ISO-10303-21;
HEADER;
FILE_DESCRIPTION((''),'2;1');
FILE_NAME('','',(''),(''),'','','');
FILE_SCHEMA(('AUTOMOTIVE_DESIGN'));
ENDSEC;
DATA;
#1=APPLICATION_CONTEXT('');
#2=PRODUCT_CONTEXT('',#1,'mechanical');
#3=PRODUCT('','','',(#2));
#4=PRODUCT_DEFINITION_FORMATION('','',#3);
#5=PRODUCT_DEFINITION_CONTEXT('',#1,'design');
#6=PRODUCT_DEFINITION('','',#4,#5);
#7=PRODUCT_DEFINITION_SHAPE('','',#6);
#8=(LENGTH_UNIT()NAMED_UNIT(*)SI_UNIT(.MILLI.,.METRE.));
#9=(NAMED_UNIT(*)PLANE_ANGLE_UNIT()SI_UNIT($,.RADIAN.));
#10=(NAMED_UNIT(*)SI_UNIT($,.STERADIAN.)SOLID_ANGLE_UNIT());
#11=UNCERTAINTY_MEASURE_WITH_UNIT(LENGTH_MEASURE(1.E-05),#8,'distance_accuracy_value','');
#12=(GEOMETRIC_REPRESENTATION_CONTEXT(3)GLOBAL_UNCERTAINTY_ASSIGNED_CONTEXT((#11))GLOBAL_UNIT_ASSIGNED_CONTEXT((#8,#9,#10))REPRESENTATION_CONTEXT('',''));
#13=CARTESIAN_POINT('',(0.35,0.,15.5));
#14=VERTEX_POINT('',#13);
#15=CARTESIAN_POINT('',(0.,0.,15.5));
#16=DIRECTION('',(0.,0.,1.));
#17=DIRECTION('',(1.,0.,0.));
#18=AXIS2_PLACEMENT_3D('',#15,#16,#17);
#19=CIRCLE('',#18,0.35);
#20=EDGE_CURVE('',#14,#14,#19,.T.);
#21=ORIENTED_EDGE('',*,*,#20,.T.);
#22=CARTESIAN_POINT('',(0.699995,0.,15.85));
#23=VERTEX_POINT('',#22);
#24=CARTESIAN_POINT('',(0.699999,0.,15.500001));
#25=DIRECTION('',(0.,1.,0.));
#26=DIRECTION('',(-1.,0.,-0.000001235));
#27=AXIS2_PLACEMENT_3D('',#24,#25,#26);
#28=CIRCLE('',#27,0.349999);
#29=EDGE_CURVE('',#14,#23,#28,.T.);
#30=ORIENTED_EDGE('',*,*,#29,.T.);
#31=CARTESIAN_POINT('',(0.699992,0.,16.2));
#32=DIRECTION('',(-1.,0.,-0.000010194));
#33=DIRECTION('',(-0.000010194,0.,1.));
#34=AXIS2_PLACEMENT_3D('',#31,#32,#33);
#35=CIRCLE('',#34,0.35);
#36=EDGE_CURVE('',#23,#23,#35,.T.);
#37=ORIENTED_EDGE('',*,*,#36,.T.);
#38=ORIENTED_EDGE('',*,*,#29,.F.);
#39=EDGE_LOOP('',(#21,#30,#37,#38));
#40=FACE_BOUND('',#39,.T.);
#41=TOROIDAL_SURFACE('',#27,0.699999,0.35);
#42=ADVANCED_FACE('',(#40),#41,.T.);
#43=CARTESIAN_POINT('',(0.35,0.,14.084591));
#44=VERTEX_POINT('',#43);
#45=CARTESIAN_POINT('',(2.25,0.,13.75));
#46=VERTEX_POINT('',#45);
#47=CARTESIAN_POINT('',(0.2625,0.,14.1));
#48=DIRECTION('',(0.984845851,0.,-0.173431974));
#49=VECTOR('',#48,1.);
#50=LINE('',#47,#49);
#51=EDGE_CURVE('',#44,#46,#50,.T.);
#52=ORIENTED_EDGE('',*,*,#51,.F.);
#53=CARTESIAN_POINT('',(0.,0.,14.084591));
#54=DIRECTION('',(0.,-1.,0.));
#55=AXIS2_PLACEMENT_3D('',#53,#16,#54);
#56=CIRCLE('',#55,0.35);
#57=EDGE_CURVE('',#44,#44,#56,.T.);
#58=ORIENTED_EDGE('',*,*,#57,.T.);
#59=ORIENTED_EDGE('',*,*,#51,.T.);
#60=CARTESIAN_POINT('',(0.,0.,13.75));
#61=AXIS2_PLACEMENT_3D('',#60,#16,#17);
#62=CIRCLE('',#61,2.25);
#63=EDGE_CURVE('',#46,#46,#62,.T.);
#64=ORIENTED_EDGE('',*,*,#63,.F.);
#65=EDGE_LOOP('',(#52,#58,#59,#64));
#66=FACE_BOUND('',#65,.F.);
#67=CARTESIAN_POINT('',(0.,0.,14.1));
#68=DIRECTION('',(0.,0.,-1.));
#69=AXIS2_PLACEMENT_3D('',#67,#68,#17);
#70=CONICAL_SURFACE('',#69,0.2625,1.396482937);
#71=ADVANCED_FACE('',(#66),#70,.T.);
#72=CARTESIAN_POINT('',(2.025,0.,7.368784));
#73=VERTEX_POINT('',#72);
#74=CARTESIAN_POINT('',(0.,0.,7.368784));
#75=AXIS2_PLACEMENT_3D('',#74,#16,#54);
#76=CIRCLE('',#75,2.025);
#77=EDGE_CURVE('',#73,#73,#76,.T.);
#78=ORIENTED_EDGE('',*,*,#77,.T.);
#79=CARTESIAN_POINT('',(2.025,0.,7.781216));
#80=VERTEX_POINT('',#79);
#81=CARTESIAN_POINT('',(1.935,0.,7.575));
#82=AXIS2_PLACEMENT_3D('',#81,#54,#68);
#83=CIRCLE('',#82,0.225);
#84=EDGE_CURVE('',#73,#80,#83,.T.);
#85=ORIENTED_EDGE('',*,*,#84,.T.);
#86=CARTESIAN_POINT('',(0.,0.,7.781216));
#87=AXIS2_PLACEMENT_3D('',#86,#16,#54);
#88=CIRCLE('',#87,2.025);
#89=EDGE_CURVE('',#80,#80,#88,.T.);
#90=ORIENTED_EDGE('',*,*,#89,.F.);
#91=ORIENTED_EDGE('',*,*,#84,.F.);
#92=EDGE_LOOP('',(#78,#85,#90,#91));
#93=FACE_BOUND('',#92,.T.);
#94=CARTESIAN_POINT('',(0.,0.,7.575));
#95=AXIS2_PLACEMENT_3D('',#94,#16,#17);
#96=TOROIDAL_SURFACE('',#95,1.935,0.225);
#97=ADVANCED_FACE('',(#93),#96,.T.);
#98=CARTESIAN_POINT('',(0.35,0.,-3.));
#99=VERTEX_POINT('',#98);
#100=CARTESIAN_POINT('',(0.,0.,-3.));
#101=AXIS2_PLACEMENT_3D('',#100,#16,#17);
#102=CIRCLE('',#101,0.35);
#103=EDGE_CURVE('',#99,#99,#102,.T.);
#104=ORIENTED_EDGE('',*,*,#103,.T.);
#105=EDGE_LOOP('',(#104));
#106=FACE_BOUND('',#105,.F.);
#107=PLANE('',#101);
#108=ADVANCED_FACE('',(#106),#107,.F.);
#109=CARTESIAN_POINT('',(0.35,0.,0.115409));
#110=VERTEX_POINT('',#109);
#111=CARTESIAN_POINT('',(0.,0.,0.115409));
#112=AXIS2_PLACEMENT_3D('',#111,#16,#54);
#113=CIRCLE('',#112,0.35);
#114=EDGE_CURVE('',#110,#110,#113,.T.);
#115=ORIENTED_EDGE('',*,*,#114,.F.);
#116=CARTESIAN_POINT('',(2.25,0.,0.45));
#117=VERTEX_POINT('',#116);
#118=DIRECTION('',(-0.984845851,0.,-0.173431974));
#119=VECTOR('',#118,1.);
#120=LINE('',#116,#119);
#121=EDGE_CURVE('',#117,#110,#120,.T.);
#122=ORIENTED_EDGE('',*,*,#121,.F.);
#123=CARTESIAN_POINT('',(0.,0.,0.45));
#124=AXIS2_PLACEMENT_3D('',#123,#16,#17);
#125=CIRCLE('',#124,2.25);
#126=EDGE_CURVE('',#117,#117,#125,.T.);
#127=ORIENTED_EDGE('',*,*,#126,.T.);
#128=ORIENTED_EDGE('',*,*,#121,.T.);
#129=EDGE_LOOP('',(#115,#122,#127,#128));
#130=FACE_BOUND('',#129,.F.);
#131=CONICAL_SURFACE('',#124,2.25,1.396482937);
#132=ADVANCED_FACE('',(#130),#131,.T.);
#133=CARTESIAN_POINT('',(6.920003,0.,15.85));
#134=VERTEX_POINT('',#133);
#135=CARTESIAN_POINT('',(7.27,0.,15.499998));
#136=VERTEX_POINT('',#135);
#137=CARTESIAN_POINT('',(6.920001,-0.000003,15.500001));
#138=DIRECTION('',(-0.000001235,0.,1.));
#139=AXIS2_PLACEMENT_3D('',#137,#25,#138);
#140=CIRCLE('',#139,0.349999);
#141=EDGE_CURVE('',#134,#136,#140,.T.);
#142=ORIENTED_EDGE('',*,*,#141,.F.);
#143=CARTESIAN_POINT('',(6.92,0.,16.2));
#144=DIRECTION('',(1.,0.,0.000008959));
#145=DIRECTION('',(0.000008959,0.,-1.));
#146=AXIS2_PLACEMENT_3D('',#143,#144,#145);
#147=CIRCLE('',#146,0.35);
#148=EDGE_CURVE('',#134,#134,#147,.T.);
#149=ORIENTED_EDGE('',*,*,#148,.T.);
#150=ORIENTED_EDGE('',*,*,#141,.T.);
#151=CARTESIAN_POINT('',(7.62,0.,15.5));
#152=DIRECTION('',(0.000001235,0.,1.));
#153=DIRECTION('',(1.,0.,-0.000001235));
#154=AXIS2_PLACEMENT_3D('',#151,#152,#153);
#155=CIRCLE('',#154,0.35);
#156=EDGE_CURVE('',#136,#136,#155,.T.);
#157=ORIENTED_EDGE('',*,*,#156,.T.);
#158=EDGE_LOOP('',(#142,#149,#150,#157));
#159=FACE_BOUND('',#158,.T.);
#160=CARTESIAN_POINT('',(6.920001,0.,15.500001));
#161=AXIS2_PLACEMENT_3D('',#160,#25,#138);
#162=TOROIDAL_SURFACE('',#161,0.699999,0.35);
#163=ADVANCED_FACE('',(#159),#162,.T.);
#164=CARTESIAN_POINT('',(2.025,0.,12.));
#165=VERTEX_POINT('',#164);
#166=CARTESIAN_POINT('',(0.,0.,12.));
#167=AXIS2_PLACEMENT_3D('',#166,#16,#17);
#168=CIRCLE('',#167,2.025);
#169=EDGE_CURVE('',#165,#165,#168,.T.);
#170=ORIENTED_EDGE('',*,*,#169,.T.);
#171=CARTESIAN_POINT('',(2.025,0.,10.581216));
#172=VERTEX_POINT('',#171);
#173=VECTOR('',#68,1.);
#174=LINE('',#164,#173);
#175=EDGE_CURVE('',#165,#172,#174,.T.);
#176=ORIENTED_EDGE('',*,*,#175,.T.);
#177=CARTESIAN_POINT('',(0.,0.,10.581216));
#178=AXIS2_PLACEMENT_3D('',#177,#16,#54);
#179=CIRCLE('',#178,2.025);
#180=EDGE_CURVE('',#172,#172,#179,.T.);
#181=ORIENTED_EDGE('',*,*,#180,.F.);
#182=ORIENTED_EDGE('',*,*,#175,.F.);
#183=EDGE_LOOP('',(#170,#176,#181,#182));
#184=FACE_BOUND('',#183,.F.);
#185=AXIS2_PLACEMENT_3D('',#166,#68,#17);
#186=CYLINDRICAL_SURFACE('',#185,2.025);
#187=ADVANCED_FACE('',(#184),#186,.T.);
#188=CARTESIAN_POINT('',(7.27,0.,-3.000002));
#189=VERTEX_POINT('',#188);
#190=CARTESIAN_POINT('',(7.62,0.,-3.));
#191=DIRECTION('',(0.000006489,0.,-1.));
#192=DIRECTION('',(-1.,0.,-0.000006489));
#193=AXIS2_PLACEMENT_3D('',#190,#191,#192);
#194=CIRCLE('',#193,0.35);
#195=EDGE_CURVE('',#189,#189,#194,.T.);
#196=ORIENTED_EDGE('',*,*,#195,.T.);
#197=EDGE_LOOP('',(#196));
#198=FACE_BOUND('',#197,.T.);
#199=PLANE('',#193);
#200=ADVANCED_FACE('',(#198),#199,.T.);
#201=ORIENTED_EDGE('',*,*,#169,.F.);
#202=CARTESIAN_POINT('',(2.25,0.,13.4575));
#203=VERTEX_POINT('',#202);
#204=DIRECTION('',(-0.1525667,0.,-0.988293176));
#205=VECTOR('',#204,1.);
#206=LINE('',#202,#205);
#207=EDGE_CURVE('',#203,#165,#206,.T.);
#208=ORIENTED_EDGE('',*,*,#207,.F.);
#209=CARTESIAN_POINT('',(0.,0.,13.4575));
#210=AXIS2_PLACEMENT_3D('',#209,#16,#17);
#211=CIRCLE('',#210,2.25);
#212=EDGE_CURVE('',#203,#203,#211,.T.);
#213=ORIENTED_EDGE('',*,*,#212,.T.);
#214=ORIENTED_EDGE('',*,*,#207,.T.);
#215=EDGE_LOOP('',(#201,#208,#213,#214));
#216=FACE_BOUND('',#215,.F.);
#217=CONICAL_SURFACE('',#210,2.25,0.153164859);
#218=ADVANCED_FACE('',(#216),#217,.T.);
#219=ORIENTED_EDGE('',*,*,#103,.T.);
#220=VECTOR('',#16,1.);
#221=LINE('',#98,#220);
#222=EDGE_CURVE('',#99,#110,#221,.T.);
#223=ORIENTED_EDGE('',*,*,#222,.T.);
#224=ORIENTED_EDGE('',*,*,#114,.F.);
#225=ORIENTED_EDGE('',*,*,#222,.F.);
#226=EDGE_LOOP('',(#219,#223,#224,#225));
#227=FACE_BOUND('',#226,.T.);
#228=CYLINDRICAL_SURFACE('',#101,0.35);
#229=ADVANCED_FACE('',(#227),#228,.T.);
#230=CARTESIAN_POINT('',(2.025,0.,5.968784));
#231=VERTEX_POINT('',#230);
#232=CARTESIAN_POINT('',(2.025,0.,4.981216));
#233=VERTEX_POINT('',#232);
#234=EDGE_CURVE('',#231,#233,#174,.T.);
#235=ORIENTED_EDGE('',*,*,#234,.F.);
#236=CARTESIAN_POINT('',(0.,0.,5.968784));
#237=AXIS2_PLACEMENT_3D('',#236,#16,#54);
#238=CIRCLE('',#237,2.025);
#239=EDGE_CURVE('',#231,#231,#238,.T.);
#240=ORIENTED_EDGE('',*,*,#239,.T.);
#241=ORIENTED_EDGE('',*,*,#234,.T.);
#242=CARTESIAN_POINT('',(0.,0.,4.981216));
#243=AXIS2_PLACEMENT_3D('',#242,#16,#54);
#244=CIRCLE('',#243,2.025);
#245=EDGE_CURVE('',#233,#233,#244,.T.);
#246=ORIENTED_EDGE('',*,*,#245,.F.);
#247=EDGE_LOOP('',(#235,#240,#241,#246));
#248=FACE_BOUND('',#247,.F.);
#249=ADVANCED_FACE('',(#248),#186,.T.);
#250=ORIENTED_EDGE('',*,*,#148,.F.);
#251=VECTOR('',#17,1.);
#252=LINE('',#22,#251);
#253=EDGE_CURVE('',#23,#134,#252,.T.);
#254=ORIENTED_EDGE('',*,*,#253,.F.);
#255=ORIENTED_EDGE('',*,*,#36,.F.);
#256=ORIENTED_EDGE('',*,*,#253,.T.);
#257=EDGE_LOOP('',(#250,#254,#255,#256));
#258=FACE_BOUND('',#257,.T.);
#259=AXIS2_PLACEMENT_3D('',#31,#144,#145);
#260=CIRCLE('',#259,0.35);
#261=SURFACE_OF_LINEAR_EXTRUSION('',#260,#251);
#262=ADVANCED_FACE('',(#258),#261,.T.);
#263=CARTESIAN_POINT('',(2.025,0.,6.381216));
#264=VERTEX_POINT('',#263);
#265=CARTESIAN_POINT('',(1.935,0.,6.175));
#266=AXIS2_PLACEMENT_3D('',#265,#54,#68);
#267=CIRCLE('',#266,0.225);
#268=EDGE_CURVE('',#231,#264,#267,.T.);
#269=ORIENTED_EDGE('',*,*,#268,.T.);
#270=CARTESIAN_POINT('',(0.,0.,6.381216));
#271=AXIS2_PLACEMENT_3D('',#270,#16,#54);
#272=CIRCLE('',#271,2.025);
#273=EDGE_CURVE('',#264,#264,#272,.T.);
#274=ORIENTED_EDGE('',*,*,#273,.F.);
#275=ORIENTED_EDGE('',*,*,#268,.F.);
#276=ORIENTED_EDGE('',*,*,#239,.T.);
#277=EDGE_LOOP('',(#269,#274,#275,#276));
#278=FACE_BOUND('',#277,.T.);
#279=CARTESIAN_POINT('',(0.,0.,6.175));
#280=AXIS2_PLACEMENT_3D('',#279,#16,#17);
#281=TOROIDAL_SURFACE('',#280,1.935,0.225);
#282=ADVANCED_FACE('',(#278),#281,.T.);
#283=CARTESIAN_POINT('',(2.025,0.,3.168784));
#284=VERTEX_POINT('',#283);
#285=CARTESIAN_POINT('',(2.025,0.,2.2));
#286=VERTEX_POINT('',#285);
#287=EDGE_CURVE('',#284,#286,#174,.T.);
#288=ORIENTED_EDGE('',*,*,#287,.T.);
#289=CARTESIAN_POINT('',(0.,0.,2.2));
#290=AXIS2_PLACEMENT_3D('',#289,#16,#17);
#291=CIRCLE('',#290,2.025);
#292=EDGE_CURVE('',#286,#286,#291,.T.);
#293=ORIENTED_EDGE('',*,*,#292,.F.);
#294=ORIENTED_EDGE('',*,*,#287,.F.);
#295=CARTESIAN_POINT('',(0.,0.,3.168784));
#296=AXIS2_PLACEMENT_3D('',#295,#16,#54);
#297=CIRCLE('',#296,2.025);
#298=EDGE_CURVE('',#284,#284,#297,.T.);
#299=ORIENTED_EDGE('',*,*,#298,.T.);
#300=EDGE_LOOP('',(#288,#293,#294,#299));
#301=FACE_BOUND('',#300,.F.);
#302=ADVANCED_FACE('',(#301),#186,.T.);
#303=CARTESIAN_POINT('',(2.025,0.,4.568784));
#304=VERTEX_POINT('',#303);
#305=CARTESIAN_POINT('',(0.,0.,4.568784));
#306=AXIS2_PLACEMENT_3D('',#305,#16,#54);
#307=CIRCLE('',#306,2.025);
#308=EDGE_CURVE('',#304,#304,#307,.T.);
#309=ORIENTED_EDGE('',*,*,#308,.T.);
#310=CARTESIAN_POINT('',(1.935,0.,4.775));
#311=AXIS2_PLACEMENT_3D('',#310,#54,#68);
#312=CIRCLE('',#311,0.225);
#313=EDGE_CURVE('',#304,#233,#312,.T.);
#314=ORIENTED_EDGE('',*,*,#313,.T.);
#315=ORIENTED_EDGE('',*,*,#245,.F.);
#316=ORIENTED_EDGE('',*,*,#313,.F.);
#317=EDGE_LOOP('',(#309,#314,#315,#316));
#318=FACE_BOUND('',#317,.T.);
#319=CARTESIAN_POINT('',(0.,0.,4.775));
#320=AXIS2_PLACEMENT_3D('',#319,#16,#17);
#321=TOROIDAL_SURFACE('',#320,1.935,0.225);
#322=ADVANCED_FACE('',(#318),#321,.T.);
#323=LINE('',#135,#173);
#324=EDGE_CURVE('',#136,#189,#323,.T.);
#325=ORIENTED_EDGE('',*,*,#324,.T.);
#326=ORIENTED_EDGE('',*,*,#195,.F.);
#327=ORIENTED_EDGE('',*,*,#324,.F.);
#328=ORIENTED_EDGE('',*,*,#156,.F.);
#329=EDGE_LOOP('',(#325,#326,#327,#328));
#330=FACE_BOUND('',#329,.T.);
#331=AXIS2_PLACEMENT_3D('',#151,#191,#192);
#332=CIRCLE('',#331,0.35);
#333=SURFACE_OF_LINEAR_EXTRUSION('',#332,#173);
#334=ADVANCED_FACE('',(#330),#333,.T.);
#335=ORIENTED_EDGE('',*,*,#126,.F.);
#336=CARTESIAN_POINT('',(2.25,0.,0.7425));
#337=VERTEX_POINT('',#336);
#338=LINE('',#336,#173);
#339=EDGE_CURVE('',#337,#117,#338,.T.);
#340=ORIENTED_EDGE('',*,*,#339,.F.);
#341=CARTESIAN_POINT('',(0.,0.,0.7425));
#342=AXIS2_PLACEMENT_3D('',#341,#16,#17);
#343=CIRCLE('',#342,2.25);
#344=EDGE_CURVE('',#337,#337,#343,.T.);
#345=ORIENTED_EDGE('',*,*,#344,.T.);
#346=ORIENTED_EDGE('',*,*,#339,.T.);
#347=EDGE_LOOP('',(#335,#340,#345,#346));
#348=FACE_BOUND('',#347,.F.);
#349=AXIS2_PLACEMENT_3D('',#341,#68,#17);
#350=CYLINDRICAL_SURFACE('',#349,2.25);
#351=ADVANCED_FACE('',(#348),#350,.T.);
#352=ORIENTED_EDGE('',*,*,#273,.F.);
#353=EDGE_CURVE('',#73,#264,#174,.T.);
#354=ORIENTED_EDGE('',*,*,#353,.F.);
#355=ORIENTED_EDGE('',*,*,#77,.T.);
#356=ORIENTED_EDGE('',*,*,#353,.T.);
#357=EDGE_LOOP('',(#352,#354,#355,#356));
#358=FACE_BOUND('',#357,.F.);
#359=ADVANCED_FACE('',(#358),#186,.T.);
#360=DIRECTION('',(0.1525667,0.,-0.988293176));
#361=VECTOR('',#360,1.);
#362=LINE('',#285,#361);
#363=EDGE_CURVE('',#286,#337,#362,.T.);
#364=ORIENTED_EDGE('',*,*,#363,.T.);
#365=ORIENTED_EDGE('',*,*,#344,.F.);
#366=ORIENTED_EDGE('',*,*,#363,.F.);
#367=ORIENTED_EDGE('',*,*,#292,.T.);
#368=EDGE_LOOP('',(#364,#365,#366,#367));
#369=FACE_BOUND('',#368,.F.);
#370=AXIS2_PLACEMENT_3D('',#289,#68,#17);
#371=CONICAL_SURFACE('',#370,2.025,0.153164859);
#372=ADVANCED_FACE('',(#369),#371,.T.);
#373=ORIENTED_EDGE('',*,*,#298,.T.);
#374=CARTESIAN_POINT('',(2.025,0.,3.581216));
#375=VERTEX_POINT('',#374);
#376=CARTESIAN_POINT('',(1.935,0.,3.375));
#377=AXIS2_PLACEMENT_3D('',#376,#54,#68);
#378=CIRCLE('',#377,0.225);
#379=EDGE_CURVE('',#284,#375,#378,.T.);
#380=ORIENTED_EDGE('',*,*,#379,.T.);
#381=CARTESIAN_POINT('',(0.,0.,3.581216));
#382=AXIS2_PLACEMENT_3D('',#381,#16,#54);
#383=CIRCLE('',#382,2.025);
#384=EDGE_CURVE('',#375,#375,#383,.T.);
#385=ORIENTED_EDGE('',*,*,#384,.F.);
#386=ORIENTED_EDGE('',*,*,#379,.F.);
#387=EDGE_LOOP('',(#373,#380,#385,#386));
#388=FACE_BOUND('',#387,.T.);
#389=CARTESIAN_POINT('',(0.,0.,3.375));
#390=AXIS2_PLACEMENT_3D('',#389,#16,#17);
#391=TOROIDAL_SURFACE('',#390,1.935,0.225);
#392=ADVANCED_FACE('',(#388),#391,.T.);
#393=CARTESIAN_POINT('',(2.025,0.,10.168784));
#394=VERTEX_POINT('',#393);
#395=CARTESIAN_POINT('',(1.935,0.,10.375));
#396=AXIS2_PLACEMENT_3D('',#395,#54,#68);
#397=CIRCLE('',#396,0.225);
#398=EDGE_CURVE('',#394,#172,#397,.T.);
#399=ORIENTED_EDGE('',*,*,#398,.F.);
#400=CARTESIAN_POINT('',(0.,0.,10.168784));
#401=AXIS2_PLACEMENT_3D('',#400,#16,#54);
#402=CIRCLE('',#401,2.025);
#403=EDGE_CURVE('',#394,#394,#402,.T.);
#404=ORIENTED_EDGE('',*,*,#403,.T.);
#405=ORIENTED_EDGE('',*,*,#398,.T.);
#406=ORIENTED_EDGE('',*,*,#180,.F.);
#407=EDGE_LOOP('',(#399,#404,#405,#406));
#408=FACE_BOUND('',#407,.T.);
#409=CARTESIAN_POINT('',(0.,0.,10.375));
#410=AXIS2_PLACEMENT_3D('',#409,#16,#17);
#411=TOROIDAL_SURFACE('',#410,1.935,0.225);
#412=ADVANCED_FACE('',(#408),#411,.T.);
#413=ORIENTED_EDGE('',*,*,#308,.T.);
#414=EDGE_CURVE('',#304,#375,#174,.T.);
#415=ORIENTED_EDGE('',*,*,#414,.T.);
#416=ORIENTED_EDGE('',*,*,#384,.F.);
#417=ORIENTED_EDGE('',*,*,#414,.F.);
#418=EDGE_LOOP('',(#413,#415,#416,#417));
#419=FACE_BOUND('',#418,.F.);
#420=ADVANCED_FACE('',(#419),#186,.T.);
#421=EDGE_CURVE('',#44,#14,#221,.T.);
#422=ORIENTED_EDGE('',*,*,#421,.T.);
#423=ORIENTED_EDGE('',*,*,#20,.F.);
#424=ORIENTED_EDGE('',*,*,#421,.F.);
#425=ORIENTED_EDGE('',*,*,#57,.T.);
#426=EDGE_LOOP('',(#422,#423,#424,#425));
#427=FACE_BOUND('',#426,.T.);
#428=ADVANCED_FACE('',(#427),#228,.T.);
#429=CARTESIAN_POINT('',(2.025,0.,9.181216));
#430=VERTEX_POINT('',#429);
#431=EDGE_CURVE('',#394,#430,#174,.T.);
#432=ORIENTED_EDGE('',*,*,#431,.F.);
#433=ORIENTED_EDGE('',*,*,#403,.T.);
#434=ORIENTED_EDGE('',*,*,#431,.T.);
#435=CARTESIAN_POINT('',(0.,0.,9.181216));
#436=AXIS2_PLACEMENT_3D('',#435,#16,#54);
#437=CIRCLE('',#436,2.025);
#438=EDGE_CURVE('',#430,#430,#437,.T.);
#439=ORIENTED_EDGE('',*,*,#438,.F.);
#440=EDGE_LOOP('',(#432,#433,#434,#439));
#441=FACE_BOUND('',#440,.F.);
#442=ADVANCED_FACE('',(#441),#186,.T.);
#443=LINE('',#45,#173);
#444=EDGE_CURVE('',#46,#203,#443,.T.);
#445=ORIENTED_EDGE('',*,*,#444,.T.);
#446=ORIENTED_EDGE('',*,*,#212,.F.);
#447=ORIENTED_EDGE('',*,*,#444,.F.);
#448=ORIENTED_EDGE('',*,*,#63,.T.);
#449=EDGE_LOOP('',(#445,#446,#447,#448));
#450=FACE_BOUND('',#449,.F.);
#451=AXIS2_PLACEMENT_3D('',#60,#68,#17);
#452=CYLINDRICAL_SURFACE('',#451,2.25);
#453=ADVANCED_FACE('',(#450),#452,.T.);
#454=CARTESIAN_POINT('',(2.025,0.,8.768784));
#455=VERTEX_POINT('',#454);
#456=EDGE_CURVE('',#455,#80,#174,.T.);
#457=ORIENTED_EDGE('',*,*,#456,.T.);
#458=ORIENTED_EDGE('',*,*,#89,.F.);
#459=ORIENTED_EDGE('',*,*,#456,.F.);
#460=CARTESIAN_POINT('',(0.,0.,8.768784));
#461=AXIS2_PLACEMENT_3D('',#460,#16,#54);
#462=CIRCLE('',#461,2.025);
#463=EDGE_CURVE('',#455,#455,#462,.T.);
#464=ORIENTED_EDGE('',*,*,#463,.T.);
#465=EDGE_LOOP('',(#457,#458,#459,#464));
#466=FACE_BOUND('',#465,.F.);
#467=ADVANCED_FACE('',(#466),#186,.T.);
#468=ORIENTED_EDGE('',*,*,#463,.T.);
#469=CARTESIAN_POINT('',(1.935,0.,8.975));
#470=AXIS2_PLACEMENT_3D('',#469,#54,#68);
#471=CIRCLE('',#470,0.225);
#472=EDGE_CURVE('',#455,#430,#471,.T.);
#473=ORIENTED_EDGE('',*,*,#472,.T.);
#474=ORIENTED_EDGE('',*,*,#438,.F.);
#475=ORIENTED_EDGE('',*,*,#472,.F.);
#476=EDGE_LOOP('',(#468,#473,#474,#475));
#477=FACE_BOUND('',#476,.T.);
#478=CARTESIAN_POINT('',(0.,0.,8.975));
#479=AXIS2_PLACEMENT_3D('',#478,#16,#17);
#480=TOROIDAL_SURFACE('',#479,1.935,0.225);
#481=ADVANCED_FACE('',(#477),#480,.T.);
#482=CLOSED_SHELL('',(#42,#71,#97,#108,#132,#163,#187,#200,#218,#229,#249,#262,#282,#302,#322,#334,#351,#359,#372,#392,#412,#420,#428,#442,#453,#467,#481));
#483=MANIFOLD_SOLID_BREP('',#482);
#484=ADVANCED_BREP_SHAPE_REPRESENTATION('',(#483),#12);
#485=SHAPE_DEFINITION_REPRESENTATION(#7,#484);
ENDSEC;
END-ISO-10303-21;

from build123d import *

# Parameters (mm, degrees)
SKETCH_R = 0.35


with BuildPart() as revolution:
    # Sketch002 → Revolution (revolve)
    with BuildSketch(Plane.XZ):
        Polygon((0, 0.1), (0, 14.1), (0.2625, 14.1), (2.25, 13.75), (2.25, 13.4575), (2.025, 12), (2.025, 2.2), (2.25, 0.7425), (2.25, 0.45), (0.2625, 0.1), align=None)
    revolve(axis=Axis((0, 0, 0), (0, 0, 1)))


with BuildPart() as sweep_body:
    # Sweep: sweep along a path in Sketch001
    with BuildLine(Plane.XZ) as sweep_path:
        Line((0, -3), (0, 15.5))
        ThreePointArc((0, 15.5), (0.205022, 15.994972), (0.699992, 16.2))
        Line((0.699992, 16.2), (6.92, 16.2))
        ThreePointArc((6.92, 16.2), (7.414975, 15.994975), (7.62, 15.5))
        Line((7.62, 15.5), (7.62, -3))
    # Sketch → Sweep (sweep)
    with BuildSketch(Plane.XY.offset(-2)):
        Circle(SKETCH_R)
    sweep(path=sweep_path.line)


with BuildPart() as revolution001_mp_cp:
    # Sketch003 → Revolution001 (revolve)
    with BuildSketch(Plane.XZ):
        with BuildLine():
            Line((1.8, 11.55), (1.8, 2.2))
            Line((1.8, 2.2), (1.935, 2.2))
            Line((1.935, 2.2), (1.935, 3.15))
            ThreePointArc((1.935, 3.15), (2.16, 3.375), (1.935, 3.6))
            Line((1.935, 3.6), (1.935, 4.55))
            ThreePointArc((1.935, 4.55), (2.16, 4.775), (1.935, 5))
            Line((1.935, 5), (1.935, 5.95))
            ThreePointArc((1.935, 5.95), (2.16, 6.175), (1.935, 6.4))
            Line((1.935, 6.4), (1.935, 7.35))
            ThreePointArc((1.935, 7.35), (2.16, 7.575), (1.935, 7.8))
            Line((1.935, 7.8), (1.935, 8.75))
            ThreePointArc((1.935, 8.75), (2.16, 8.975), (1.935, 9.2))
            Line((1.935, 9.2), (1.935, 10.15))
            ThreePointArc((1.935, 10.15), (2.16, 10.375), (1.935, 10.6))
            Line((1.935, 11.55), (1.935, 10.6))
            Line((1.8, 11.55), (1.935, 11.55))
        make_face()
    revolve(axis=Axis((0, 0, 0), (0, 0, 1)))

    # Revolution001_mp_cp: union Revolution, Sweep body
    add(revolution.part)
    add(sweep_body.part)


solid = revolution001_mp_cp.part
